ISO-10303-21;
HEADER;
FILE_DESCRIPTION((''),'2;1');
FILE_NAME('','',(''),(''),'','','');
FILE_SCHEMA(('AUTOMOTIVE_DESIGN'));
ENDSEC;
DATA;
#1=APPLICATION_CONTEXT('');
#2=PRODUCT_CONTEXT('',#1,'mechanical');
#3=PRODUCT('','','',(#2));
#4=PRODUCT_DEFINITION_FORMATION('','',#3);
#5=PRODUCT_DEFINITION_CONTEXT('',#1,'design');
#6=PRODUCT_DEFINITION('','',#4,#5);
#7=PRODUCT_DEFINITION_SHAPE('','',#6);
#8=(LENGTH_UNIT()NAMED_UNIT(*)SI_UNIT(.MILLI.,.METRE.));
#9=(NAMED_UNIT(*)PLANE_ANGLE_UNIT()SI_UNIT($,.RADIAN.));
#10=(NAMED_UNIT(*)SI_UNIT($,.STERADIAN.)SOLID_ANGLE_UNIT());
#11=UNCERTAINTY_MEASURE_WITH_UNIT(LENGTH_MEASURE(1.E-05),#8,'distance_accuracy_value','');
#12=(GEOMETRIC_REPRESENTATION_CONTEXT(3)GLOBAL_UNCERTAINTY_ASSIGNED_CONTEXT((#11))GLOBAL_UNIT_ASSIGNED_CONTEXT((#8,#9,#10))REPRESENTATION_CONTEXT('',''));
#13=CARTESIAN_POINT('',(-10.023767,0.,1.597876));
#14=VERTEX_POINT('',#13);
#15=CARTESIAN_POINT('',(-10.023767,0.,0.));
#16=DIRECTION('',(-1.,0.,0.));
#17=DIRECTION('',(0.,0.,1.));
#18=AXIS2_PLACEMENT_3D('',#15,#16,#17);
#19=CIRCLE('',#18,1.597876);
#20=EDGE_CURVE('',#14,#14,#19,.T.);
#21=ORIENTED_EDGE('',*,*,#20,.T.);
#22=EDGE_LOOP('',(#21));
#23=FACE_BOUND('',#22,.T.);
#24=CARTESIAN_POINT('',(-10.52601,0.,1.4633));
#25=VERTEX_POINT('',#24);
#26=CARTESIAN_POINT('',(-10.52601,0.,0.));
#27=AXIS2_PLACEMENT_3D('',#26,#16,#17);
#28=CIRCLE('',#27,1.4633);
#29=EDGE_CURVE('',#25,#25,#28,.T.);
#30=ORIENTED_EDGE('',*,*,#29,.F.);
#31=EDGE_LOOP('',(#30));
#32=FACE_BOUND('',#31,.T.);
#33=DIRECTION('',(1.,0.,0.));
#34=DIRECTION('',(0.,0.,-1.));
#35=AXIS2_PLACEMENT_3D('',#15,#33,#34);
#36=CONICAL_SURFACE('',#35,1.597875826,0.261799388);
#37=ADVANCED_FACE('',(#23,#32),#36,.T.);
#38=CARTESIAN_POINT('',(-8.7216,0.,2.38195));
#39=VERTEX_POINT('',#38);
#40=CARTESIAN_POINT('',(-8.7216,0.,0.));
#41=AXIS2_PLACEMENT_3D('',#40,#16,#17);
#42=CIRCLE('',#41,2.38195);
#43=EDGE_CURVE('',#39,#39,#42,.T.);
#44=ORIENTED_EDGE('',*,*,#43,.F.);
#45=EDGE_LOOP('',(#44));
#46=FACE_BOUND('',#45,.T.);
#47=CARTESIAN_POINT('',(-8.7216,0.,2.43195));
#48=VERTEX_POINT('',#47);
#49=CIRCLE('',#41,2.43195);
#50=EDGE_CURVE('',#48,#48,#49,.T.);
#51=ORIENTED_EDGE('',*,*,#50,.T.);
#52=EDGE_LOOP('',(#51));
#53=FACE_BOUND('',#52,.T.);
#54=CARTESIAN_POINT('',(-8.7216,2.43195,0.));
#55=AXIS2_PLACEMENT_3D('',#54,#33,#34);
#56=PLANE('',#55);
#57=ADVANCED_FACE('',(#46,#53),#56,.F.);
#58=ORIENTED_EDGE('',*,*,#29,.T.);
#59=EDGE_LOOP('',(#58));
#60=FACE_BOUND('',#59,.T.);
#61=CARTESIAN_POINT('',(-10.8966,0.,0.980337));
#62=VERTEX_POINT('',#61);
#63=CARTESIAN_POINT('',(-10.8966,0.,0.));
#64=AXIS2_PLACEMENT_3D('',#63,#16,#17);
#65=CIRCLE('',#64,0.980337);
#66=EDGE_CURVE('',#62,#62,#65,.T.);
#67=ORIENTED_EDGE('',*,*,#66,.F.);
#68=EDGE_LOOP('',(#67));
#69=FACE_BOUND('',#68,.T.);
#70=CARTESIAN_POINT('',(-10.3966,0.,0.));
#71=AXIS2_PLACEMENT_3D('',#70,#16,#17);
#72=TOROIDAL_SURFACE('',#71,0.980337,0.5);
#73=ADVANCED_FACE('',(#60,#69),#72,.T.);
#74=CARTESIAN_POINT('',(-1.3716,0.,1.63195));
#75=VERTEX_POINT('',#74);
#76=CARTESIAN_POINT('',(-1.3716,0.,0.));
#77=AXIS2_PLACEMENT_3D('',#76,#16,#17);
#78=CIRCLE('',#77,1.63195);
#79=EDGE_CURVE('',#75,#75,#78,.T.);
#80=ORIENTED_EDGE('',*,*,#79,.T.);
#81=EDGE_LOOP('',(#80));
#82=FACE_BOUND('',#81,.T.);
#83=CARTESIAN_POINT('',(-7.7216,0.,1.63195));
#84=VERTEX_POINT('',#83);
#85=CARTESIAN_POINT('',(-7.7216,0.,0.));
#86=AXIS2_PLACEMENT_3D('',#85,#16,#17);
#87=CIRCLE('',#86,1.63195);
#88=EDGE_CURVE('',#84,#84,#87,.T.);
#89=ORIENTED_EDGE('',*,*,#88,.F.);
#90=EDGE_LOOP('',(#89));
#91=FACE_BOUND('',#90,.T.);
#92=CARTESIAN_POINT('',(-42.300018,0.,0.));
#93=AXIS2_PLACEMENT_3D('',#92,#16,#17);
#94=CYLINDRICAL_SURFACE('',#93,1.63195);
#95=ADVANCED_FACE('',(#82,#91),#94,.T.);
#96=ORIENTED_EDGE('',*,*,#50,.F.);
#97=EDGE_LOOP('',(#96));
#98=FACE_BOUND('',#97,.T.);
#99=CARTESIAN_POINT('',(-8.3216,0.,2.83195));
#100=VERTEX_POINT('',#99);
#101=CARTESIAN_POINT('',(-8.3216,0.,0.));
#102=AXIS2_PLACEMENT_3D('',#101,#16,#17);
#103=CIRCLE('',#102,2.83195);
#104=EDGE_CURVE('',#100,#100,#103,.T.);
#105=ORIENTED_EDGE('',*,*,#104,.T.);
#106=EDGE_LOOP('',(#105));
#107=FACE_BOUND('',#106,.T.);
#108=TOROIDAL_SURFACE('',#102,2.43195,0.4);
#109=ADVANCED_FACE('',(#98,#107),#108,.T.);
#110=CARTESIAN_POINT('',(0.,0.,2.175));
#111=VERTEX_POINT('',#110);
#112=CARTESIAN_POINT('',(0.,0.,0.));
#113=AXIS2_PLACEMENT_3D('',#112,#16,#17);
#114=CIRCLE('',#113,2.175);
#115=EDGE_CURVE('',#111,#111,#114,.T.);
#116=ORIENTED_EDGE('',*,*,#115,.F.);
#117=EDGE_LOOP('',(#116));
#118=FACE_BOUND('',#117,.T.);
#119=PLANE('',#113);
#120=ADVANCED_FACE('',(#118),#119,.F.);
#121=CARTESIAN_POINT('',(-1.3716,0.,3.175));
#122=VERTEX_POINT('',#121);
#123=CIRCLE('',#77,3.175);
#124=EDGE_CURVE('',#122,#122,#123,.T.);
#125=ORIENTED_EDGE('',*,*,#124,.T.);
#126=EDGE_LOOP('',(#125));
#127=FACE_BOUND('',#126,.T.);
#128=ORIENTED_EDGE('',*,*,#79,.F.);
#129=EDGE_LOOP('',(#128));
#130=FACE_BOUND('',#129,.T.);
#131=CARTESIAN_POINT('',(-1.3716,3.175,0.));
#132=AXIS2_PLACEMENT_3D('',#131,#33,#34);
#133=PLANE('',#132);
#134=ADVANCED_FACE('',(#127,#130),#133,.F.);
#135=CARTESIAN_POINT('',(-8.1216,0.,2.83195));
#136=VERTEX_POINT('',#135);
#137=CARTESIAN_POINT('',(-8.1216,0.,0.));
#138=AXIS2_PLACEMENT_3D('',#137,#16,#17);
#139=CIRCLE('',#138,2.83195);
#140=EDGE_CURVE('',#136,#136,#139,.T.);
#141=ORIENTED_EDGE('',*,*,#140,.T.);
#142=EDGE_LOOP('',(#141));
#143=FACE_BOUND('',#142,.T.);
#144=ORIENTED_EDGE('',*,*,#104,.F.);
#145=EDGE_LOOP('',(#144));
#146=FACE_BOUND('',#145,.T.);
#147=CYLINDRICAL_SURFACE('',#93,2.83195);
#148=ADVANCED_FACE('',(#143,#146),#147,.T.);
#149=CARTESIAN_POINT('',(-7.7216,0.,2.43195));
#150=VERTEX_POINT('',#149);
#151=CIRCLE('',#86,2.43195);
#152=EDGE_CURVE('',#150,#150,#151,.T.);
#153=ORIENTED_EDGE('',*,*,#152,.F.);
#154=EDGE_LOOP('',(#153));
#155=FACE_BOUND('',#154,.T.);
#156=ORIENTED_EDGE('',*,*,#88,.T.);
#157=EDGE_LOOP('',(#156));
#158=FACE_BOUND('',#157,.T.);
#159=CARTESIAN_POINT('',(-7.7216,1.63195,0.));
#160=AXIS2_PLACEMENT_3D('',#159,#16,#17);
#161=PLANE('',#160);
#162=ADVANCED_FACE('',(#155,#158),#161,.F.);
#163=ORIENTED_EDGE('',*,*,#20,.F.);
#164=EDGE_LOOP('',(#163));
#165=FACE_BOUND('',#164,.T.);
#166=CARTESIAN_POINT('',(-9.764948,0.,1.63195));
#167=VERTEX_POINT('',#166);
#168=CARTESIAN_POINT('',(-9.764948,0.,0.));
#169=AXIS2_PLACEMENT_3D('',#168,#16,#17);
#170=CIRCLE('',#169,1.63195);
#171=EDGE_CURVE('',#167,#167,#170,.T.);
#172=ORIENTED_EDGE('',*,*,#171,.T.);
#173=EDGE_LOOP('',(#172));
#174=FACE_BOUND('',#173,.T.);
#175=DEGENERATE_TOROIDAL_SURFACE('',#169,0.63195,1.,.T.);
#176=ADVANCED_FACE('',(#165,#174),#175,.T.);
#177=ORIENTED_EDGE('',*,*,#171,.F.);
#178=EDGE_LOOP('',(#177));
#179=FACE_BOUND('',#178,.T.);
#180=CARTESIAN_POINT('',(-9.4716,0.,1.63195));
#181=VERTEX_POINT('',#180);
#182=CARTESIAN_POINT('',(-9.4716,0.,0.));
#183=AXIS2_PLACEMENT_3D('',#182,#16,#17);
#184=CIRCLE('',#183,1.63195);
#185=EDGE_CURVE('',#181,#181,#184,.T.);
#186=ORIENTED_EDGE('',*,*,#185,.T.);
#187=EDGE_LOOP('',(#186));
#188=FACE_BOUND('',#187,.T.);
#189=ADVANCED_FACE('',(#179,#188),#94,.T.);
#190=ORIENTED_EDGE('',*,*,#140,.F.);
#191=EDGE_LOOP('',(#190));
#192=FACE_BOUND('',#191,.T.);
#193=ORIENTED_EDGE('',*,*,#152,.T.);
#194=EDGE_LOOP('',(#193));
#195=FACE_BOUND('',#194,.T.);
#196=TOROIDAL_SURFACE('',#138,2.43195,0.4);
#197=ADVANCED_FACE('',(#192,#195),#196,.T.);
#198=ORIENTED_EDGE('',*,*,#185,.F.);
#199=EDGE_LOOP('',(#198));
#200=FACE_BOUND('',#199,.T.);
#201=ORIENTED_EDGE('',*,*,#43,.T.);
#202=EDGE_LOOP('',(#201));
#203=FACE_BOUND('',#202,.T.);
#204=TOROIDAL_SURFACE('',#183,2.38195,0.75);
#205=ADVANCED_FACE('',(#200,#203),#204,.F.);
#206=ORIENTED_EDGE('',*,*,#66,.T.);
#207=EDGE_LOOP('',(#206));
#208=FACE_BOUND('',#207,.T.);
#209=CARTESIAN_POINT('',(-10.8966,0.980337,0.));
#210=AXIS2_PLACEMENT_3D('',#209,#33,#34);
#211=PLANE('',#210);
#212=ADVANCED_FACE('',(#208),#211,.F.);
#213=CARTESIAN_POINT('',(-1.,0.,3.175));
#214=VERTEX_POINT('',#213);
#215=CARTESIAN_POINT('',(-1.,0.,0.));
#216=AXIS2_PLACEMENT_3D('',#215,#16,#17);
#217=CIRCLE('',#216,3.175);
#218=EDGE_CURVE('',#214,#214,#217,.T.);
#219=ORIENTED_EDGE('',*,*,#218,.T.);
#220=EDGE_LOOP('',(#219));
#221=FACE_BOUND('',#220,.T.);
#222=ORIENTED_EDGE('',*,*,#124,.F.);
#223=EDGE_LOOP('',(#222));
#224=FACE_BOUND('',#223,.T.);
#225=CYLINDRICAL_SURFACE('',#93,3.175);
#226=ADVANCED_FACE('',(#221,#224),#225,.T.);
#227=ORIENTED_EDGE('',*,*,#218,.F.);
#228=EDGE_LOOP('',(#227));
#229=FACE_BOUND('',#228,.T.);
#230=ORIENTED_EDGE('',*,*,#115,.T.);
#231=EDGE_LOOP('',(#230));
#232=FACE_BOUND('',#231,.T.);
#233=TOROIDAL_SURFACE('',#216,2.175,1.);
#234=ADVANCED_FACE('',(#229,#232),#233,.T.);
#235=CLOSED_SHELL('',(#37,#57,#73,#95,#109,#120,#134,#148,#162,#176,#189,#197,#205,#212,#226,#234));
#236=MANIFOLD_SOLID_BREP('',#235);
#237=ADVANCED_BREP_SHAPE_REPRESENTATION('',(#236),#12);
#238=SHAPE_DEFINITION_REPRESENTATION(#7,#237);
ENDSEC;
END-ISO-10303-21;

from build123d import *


with BuildPart() as part:
    # Sketch2 → Revolve1 (revolve)
    with BuildSketch(Plane.XY, mode=Mode.PRIVATE) as revolve1_sk:
        with BuildLine():
            Line((0, 0), (0, 2.175))
            ThreePointArc((0, 2.175), (-0.292893219, 2.882106781), (-1, 3.175))
            Line((-1, 3.175), (-1.3716, 3.175))
            Line((-1.3716, 3.175), (-1.3716, 1.63195))
            Line((-1.3716, 1.63195), (-7.7216, 1.63195))
            Line((-7.7216, 1.63195), (-7.7216, 2.43195))
            ThreePointArc((-7.7216, 2.43195), (-7.838757288, 2.714792712), (-8.1216, 2.83195))
            Line((-8.1216, 2.83195), (-8.3216, 2.83195))
            ThreePointArc((-8.3216, 2.83195), (-8.604442712, 2.714792712), (-8.7216, 2.43195))
            Line((-8.7216, 2.43195), (-8.7216, 2.38195))
            ThreePointArc((-8.7216, 2.38195), (-8.941269914, 1.851619914), (-9.4716, 1.63195))
            Line((-9.4716, 1.63195), (-9.764947502, 1.63195))
            ThreePointArc((-9.764947502, 1.63195), (-9.895473695, 1.623394861), (-10.023766548, 1.597875826))
            Line((-10.023766548, 1.597875826), (-10.526009523, 1.463300227))
            ThreePointArc((-10.526009523, 1.463300227), (-10.79327667, 1.284718028), (-10.8966, 0.980337314))
            Line((-10.8966, 0.980337314), (-10.8966, 0))
            Line((-10.8966, 0), (0, 0))
        make_face()
    revolve(revolve1_sk.sketch.rotate(Axis((-42.300017882, 0, 0), (1, 0, 0)), 90), axis=Axis((-42.300017882, 0, 0), (1, 0, 0)))


solid = part.part
